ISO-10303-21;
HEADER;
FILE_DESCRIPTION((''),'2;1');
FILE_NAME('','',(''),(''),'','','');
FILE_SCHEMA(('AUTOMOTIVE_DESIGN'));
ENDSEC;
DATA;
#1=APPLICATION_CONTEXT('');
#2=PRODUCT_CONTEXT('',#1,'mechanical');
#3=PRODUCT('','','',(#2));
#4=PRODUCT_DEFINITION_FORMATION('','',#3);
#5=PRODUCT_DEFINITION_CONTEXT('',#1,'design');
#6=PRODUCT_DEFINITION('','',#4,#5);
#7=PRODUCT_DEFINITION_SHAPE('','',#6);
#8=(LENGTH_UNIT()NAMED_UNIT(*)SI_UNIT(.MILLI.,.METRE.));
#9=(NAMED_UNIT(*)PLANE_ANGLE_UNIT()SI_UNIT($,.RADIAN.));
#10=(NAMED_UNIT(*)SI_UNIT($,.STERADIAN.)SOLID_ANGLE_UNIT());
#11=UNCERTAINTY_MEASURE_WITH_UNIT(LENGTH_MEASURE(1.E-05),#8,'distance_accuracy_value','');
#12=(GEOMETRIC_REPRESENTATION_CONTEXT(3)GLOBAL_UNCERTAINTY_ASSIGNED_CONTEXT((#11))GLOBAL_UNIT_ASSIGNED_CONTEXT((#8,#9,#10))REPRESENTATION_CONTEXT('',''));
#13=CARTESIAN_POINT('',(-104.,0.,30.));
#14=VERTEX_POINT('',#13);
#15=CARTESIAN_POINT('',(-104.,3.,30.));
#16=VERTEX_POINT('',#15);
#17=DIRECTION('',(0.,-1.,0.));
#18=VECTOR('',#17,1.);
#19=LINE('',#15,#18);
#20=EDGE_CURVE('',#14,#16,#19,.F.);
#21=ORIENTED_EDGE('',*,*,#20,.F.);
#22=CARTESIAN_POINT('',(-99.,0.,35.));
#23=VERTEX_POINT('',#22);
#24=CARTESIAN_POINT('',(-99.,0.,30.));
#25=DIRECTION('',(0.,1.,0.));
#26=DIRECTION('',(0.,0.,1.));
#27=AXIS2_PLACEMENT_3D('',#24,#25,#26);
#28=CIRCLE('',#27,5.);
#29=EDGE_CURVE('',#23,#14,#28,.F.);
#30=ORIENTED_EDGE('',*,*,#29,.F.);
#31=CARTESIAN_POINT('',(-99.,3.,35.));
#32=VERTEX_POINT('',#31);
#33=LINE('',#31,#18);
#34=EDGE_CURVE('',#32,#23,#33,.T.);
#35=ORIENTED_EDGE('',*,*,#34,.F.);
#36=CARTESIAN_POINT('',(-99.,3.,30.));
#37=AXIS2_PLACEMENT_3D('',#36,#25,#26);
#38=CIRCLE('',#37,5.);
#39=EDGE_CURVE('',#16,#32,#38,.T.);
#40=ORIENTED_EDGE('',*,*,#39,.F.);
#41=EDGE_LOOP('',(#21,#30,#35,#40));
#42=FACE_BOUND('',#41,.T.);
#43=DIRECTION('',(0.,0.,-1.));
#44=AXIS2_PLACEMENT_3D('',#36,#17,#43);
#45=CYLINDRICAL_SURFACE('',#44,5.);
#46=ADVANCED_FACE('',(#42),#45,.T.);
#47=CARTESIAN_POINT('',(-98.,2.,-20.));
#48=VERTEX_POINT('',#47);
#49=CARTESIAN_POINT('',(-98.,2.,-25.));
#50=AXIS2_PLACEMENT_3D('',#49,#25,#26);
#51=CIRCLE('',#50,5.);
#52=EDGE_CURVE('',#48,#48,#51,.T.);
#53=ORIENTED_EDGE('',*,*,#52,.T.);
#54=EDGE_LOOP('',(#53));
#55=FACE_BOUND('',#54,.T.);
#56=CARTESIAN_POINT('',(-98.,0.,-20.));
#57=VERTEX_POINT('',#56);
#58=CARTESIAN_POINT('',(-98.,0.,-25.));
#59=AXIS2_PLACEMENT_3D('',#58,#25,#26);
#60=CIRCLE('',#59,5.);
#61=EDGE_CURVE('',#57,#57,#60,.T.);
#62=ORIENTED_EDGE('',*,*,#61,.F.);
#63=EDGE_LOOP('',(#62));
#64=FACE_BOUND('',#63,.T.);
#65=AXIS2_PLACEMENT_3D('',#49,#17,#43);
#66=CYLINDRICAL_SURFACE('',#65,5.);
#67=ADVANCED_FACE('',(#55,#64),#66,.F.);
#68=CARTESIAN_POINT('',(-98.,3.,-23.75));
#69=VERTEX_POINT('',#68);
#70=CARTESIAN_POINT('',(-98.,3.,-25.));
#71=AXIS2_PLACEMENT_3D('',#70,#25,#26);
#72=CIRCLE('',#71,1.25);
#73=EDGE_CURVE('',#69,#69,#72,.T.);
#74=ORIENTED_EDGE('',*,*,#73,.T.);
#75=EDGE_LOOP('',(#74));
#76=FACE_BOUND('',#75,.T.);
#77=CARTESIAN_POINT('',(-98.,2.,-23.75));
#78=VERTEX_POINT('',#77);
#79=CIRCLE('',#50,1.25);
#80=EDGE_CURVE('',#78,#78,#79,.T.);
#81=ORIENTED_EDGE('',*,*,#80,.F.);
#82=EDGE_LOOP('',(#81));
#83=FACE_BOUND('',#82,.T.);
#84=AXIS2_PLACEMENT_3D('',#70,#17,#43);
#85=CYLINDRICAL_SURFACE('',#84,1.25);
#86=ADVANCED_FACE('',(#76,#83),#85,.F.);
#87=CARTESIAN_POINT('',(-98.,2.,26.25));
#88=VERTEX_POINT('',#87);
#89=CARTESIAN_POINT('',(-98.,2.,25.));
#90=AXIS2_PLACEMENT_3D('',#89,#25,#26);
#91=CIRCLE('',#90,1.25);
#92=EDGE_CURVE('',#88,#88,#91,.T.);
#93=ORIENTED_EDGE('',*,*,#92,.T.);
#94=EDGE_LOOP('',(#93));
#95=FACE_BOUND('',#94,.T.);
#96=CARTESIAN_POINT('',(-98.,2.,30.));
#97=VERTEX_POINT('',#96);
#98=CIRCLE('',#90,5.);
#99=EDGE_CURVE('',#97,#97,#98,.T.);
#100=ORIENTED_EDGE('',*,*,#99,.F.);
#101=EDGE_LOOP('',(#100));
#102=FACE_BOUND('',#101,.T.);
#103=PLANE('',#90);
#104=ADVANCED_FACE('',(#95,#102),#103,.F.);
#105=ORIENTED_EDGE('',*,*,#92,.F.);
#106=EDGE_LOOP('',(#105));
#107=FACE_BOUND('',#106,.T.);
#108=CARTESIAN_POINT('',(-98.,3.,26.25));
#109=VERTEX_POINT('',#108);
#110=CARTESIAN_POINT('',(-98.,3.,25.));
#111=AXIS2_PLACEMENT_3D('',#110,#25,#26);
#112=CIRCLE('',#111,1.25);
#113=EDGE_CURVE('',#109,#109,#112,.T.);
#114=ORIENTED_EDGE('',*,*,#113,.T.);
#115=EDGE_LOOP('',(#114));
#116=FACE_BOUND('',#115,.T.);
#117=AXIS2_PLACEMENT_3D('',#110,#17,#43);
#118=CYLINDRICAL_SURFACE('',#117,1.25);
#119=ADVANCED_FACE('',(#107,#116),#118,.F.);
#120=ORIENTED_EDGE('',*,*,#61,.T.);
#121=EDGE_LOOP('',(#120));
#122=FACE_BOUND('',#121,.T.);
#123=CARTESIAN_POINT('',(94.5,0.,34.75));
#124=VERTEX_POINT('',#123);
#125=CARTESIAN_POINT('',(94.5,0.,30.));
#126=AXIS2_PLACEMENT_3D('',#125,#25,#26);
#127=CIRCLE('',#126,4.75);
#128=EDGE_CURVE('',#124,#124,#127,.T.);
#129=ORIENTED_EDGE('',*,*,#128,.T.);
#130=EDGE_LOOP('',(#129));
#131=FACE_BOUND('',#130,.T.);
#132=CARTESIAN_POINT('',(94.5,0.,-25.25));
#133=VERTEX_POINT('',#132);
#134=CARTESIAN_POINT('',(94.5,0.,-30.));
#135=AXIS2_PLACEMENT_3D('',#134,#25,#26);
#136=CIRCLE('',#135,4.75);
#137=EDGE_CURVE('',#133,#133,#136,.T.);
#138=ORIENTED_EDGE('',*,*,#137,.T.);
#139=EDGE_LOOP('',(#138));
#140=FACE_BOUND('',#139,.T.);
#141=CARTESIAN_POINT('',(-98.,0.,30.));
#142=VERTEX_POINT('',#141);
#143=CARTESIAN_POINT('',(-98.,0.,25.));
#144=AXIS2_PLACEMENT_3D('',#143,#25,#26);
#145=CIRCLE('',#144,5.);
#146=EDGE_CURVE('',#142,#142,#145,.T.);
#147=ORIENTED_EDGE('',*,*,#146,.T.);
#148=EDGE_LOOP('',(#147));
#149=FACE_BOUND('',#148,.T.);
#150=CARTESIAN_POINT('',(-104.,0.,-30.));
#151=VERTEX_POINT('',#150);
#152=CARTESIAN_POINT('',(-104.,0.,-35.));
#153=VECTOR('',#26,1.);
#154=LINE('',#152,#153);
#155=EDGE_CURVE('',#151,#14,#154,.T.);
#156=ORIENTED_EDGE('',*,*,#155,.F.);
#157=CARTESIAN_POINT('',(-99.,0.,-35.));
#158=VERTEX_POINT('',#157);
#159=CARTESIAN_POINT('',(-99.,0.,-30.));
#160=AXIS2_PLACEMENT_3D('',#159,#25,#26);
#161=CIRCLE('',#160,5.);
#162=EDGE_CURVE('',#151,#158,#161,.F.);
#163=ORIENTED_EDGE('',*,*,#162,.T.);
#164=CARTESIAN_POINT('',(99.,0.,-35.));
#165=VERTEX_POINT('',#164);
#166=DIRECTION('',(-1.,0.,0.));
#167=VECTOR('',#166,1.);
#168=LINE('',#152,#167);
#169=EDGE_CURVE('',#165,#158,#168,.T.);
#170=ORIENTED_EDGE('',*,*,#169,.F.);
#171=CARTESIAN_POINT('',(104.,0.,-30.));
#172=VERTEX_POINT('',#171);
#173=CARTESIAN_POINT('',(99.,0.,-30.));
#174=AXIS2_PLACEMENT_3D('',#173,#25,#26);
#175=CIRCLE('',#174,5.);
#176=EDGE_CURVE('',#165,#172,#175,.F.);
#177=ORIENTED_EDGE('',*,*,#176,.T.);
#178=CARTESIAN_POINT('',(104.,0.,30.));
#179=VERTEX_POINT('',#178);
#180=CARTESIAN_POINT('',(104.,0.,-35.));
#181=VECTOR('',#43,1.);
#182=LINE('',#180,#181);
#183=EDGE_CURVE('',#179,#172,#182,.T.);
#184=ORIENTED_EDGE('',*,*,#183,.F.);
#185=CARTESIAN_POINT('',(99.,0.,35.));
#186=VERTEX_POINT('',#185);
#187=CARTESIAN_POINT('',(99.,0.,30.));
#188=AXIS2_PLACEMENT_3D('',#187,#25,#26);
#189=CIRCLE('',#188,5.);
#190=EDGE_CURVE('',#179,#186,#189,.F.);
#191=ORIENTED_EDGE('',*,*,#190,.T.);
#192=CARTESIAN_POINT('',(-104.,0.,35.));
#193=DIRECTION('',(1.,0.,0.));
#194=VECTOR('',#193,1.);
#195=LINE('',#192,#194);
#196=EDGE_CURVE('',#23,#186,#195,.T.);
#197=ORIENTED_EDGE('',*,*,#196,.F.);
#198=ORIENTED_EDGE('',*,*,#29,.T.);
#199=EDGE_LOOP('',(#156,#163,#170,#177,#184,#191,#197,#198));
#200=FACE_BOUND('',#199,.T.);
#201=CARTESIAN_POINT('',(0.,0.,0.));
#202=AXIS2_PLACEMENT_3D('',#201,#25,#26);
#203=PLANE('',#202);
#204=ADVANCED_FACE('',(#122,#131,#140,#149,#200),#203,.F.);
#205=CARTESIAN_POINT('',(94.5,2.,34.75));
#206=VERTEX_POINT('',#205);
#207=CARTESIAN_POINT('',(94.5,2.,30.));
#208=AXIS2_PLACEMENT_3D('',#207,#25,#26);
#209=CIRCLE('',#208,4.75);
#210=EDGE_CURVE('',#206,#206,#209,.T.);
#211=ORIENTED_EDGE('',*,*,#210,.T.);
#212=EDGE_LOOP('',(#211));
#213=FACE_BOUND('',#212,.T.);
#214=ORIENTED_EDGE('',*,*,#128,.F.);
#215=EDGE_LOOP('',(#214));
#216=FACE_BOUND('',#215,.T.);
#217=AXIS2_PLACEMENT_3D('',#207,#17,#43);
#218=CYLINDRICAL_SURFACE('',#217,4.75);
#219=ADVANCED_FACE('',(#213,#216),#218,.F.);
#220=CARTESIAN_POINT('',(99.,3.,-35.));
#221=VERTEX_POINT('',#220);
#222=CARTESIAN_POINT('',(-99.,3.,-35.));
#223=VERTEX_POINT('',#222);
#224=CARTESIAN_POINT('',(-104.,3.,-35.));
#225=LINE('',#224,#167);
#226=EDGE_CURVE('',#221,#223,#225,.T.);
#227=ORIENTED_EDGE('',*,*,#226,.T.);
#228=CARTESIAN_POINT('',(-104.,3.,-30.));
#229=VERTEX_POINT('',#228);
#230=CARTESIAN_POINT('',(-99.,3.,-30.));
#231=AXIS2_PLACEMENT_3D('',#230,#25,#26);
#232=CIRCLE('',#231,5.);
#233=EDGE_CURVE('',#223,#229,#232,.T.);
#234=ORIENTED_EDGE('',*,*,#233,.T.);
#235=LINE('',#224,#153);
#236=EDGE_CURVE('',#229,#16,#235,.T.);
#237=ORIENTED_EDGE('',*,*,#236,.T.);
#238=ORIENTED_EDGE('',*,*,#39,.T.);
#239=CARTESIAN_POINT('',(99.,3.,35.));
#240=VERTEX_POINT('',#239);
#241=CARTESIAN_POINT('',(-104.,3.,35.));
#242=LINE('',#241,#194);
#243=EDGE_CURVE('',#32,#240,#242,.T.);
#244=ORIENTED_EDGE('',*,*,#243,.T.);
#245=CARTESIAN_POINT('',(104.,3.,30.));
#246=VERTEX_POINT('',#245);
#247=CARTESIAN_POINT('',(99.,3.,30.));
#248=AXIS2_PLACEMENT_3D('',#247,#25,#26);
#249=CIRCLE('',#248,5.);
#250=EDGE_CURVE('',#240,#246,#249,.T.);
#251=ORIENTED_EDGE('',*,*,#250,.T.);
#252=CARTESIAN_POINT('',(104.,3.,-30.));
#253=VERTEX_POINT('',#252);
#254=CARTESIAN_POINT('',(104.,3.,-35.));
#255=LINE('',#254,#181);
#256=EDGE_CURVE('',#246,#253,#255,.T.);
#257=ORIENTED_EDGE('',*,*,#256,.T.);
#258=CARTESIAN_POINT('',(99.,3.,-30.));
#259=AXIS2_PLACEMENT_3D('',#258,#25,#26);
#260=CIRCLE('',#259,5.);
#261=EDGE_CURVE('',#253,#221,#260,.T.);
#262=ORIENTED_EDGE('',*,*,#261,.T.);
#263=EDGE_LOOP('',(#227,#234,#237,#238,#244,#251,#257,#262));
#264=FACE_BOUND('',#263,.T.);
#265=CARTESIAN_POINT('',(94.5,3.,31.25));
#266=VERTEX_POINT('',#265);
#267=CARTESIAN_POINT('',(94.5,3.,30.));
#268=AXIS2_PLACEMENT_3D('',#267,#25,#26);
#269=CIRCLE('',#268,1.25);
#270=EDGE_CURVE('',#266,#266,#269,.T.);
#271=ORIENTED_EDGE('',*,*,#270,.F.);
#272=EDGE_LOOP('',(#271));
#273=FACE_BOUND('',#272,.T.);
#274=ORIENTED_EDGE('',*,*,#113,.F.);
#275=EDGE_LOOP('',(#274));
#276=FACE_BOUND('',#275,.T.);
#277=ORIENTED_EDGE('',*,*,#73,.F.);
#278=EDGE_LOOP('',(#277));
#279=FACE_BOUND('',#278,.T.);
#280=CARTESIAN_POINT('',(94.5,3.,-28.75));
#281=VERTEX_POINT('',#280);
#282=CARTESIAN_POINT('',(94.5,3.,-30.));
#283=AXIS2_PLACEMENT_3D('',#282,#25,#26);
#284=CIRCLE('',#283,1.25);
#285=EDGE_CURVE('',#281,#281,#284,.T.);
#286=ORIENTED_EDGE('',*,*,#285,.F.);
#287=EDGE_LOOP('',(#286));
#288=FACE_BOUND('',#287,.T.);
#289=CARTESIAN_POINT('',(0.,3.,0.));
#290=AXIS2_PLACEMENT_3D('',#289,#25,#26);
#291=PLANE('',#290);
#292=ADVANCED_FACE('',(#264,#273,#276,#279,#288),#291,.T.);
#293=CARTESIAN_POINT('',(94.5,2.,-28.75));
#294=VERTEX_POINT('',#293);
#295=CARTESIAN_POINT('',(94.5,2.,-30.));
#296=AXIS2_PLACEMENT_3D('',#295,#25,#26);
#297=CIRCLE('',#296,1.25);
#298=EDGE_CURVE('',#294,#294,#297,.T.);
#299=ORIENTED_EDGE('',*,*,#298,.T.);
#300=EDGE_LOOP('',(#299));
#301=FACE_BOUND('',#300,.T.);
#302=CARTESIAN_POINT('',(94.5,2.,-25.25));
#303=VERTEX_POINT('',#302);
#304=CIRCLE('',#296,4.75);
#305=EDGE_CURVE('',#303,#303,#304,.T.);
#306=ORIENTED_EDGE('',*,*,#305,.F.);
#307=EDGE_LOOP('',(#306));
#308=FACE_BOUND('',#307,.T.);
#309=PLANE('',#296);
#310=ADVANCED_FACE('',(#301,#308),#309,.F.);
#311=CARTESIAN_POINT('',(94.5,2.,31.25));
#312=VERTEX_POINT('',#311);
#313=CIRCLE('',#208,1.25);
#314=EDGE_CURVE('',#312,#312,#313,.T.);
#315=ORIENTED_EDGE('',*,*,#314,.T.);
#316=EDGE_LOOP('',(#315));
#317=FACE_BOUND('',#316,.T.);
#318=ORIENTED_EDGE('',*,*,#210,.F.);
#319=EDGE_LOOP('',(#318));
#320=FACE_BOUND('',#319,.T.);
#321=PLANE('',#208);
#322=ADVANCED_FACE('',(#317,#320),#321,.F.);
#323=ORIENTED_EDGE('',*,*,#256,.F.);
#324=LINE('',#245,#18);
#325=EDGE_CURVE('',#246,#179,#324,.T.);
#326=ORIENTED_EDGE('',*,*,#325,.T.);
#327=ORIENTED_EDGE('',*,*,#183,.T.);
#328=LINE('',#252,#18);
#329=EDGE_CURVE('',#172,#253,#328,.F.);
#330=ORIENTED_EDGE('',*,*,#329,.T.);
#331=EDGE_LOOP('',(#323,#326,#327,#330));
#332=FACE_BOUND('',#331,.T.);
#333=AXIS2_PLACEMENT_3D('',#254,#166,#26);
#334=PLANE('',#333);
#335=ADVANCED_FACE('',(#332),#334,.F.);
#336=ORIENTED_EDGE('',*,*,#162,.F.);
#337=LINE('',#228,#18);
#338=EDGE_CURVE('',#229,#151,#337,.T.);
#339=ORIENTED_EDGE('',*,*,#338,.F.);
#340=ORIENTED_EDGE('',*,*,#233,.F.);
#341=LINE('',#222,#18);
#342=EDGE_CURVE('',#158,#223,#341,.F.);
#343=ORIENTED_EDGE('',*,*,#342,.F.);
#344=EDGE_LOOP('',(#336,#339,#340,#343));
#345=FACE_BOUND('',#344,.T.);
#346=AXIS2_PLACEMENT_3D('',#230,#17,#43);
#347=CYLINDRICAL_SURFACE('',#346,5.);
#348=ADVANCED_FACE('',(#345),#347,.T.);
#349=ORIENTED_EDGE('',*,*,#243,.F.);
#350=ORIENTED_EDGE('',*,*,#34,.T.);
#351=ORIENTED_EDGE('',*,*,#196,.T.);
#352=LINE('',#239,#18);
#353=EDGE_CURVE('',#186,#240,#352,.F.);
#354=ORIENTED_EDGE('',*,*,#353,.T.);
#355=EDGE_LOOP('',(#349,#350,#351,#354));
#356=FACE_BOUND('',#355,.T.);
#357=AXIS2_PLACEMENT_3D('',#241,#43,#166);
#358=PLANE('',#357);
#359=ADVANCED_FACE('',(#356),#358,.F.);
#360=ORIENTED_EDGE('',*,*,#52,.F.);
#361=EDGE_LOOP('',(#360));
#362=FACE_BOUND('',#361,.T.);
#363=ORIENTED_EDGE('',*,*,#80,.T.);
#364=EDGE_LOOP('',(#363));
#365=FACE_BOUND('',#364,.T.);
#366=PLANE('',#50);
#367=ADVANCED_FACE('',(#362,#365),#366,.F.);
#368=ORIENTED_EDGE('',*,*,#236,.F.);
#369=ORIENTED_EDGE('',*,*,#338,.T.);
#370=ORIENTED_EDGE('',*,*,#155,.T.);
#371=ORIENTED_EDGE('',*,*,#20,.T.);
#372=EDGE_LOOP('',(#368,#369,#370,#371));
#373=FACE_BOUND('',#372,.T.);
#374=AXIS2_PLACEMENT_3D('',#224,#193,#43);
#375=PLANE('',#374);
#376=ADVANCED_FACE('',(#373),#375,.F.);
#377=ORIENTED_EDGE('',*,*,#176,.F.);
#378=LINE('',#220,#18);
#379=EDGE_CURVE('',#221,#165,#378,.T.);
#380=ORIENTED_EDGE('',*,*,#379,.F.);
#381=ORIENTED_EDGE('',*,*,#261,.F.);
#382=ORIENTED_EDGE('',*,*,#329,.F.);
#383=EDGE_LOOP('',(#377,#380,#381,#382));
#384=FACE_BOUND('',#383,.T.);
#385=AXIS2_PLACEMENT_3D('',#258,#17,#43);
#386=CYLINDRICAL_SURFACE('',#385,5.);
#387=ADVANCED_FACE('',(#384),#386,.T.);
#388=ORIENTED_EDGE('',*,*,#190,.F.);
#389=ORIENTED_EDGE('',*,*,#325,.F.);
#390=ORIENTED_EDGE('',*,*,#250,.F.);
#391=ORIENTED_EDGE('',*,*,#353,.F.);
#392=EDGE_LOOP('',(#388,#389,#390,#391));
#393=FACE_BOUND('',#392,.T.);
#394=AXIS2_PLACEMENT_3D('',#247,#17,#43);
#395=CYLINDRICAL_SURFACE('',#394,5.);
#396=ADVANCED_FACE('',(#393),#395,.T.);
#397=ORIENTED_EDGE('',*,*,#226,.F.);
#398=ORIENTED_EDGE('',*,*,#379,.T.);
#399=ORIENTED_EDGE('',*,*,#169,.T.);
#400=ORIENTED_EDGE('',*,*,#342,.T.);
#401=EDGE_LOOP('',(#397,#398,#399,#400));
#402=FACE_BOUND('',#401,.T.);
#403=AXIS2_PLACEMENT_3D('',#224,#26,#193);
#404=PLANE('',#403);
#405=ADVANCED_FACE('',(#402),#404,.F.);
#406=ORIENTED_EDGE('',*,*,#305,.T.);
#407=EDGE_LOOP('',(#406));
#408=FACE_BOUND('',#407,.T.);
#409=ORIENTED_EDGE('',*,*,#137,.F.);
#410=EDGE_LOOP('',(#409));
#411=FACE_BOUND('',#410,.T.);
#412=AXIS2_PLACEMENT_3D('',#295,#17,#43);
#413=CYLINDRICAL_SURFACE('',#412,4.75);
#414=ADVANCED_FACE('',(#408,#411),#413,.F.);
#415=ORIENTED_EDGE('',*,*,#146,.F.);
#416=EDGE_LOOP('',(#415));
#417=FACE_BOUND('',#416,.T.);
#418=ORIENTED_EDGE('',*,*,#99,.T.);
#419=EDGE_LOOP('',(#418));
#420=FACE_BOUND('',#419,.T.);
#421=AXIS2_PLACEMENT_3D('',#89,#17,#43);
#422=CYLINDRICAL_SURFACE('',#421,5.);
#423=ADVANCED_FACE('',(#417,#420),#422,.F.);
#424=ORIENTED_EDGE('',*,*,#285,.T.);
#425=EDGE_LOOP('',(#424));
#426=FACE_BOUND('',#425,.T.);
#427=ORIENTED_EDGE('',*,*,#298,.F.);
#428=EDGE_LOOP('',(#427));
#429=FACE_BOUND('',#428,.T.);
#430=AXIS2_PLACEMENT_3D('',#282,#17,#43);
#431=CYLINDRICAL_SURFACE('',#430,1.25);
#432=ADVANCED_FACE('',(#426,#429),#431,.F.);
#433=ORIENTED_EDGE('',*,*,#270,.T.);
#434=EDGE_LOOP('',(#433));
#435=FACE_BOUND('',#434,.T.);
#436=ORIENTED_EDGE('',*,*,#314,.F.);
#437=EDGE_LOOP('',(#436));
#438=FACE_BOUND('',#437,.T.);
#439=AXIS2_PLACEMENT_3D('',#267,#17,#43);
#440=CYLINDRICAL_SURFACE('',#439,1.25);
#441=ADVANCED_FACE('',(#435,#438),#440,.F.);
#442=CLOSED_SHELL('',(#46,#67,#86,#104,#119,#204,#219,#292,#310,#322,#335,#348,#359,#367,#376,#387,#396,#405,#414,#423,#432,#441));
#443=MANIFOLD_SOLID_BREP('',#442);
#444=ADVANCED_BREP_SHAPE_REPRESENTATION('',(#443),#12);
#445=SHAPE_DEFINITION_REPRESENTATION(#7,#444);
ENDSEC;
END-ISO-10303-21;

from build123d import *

# Parameters (mm, degrees)
SKETCH1_W           = 208
SKETCH1_H           = 70
SKETCH1_R           = 1.25
BOSS_EXTRUDE1_DEPTH = 3
FILLET1_R           = 5
SKETCH2_R           = 5
SKETCH2_R_2         = 4.75
CUT_EXTRUDE2_DEPTH  = 2


with BuildPart() as part:
    # Sketch1 → Boss-Extrude1 (new body)
    with BuildSketch(Plane(origin=(0, 0, 0), x_dir=(1, 0, 0), z_dir=(0, 1, 0))):
        Rectangle(SKETCH1_W, SKETCH1_H)
        with Locations(Location((-98, 25, 0), (0, 0, 270))):
            Circle(SKETCH1_R, mode=Mode.SUBTRACT)
        with Locations(Location((-98, -25, 0), (0, 0, 270))):
            Circle(SKETCH1_R, mode=Mode.SUBTRACT)
        with Locations(Location((94.5, 30, 0), (0, 0, 270))):
            Circle(SKETCH1_R, mode=Mode.SUBTRACT)
        with Locations(Location((94.5, -30, 0), (0, 0, 270))):
            Circle(SKETCH1_R, mode=Mode.SUBTRACT)
    extrude(amount=BOSS_EXTRUDE1_DEPTH)

    # Fillet1
    fillet1_edges = [part.edges().sort_by_distance(p)[0] for p in [
        (104, 1.5, 35),
        (-104, 1.5, 35),
        (-104, 1.5, -35),
        (104, 1.5, -35),
    ]]
    fillet(fillet1_edges, radius=FILLET1_R)

    # Sketch2 → Cut-Extrude2 (cut)
    with BuildSketch(Plane(origin=(0, 0, 0), x_dir=(1, 0, 0), z_dir=(0, 1, 0))):
        with Locations(Location((-98, 25, 0), (0, 0, 270))):
            Circle(SKETCH2_R)
        with Locations(Location((94.5, 30, 0), (0, 0, 270))):
            Circle(SKETCH2_R_2)
        with Locations(Location((94.5, -30, 0), (0, 0, 270))):
            Circle(SKETCH2_R_2)
        with Locations(Location((-98, -25, 0), (0, 0, 270))):
            Circle(SKETCH2_R)
    extrude(amount=CUT_EXTRUDE2_DEPTH, mode=Mode.SUBTRACT)


solid = part.part
